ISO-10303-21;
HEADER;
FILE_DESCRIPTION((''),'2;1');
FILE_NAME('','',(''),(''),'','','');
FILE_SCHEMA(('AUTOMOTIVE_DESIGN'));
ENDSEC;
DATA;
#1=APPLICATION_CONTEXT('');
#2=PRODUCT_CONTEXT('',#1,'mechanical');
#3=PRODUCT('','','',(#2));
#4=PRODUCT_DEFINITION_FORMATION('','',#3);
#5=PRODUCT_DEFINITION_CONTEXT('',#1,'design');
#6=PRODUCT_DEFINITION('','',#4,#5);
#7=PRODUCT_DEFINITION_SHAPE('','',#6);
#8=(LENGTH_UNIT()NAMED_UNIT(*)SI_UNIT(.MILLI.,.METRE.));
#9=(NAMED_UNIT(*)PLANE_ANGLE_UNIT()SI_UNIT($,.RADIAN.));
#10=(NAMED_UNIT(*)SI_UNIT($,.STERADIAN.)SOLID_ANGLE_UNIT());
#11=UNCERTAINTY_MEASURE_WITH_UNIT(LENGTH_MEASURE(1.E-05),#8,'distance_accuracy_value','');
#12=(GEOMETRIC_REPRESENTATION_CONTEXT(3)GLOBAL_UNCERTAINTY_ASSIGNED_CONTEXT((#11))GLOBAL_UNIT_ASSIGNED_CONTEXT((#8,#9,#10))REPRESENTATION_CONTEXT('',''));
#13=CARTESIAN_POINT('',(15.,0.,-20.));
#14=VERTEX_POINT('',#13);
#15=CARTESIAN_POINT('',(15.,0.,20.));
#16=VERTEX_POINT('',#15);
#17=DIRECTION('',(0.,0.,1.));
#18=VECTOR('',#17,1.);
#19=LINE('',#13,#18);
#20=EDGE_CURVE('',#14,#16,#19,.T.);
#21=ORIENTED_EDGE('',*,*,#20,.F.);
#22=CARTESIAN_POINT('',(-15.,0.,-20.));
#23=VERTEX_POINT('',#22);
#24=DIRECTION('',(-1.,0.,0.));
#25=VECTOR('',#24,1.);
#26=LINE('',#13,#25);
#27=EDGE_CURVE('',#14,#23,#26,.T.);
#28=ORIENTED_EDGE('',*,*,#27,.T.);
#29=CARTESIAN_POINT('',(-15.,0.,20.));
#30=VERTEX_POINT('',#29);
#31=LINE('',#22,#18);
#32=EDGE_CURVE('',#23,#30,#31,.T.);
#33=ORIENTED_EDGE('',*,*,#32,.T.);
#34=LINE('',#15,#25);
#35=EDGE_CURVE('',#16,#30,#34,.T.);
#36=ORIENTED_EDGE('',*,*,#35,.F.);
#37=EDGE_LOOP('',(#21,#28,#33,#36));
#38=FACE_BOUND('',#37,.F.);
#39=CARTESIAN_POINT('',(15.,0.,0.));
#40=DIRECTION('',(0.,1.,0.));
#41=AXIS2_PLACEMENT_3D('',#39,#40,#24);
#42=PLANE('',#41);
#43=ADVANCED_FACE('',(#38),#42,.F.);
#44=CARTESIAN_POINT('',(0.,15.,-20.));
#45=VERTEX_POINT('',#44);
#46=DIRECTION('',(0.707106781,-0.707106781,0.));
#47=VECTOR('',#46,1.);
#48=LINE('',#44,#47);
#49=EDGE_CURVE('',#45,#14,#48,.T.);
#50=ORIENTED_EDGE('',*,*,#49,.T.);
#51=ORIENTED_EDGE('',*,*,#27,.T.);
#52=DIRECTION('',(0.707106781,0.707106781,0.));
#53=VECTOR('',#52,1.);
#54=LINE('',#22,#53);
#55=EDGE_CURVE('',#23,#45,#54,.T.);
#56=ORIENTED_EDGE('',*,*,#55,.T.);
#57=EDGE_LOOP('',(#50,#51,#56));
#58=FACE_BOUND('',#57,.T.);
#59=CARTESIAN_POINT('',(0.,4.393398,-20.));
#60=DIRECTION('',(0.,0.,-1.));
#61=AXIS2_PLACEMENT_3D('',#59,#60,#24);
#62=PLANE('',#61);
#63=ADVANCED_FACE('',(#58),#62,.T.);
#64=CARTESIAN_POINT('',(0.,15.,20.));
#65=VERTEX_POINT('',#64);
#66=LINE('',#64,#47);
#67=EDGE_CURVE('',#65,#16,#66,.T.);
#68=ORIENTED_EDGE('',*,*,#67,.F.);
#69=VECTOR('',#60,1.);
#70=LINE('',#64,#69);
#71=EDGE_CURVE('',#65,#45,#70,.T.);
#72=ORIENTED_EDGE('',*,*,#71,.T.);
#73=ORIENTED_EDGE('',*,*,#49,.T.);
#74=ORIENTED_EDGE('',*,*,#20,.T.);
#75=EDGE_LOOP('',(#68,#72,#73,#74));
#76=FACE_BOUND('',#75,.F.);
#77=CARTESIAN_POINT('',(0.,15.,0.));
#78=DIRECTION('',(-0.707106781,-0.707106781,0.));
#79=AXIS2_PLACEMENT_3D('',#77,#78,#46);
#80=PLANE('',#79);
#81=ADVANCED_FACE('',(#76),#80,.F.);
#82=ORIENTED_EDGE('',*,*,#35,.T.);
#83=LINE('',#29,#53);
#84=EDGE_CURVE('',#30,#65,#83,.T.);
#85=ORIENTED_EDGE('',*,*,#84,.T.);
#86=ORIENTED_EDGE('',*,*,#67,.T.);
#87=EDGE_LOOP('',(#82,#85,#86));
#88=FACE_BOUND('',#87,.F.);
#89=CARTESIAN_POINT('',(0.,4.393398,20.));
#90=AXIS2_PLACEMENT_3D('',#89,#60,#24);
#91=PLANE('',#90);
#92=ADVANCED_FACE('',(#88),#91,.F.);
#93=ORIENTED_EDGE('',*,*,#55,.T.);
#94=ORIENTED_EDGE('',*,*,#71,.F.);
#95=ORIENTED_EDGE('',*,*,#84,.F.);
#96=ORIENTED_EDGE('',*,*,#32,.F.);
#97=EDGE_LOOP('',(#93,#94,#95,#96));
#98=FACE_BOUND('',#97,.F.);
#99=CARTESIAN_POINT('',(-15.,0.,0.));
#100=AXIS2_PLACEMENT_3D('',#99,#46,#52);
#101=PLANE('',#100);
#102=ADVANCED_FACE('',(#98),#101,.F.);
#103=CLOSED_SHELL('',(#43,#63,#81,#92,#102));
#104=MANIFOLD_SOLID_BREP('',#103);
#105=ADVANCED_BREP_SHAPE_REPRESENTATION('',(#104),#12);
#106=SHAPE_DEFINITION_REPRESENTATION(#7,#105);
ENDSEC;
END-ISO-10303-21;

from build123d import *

# Parameters (mm, degrees)
EXTRUDE_DEPTH = 20


with BuildPart() as part:
    # Sketch → Extrude (new body, symmetric)
    with BuildSketch(Plane.XY):
        Polygon((-15, 0), (0, 15), (15, 0), align=None)
    extrude(amount=EXTRUDE_DEPTH, both=True)


solid = part.part
